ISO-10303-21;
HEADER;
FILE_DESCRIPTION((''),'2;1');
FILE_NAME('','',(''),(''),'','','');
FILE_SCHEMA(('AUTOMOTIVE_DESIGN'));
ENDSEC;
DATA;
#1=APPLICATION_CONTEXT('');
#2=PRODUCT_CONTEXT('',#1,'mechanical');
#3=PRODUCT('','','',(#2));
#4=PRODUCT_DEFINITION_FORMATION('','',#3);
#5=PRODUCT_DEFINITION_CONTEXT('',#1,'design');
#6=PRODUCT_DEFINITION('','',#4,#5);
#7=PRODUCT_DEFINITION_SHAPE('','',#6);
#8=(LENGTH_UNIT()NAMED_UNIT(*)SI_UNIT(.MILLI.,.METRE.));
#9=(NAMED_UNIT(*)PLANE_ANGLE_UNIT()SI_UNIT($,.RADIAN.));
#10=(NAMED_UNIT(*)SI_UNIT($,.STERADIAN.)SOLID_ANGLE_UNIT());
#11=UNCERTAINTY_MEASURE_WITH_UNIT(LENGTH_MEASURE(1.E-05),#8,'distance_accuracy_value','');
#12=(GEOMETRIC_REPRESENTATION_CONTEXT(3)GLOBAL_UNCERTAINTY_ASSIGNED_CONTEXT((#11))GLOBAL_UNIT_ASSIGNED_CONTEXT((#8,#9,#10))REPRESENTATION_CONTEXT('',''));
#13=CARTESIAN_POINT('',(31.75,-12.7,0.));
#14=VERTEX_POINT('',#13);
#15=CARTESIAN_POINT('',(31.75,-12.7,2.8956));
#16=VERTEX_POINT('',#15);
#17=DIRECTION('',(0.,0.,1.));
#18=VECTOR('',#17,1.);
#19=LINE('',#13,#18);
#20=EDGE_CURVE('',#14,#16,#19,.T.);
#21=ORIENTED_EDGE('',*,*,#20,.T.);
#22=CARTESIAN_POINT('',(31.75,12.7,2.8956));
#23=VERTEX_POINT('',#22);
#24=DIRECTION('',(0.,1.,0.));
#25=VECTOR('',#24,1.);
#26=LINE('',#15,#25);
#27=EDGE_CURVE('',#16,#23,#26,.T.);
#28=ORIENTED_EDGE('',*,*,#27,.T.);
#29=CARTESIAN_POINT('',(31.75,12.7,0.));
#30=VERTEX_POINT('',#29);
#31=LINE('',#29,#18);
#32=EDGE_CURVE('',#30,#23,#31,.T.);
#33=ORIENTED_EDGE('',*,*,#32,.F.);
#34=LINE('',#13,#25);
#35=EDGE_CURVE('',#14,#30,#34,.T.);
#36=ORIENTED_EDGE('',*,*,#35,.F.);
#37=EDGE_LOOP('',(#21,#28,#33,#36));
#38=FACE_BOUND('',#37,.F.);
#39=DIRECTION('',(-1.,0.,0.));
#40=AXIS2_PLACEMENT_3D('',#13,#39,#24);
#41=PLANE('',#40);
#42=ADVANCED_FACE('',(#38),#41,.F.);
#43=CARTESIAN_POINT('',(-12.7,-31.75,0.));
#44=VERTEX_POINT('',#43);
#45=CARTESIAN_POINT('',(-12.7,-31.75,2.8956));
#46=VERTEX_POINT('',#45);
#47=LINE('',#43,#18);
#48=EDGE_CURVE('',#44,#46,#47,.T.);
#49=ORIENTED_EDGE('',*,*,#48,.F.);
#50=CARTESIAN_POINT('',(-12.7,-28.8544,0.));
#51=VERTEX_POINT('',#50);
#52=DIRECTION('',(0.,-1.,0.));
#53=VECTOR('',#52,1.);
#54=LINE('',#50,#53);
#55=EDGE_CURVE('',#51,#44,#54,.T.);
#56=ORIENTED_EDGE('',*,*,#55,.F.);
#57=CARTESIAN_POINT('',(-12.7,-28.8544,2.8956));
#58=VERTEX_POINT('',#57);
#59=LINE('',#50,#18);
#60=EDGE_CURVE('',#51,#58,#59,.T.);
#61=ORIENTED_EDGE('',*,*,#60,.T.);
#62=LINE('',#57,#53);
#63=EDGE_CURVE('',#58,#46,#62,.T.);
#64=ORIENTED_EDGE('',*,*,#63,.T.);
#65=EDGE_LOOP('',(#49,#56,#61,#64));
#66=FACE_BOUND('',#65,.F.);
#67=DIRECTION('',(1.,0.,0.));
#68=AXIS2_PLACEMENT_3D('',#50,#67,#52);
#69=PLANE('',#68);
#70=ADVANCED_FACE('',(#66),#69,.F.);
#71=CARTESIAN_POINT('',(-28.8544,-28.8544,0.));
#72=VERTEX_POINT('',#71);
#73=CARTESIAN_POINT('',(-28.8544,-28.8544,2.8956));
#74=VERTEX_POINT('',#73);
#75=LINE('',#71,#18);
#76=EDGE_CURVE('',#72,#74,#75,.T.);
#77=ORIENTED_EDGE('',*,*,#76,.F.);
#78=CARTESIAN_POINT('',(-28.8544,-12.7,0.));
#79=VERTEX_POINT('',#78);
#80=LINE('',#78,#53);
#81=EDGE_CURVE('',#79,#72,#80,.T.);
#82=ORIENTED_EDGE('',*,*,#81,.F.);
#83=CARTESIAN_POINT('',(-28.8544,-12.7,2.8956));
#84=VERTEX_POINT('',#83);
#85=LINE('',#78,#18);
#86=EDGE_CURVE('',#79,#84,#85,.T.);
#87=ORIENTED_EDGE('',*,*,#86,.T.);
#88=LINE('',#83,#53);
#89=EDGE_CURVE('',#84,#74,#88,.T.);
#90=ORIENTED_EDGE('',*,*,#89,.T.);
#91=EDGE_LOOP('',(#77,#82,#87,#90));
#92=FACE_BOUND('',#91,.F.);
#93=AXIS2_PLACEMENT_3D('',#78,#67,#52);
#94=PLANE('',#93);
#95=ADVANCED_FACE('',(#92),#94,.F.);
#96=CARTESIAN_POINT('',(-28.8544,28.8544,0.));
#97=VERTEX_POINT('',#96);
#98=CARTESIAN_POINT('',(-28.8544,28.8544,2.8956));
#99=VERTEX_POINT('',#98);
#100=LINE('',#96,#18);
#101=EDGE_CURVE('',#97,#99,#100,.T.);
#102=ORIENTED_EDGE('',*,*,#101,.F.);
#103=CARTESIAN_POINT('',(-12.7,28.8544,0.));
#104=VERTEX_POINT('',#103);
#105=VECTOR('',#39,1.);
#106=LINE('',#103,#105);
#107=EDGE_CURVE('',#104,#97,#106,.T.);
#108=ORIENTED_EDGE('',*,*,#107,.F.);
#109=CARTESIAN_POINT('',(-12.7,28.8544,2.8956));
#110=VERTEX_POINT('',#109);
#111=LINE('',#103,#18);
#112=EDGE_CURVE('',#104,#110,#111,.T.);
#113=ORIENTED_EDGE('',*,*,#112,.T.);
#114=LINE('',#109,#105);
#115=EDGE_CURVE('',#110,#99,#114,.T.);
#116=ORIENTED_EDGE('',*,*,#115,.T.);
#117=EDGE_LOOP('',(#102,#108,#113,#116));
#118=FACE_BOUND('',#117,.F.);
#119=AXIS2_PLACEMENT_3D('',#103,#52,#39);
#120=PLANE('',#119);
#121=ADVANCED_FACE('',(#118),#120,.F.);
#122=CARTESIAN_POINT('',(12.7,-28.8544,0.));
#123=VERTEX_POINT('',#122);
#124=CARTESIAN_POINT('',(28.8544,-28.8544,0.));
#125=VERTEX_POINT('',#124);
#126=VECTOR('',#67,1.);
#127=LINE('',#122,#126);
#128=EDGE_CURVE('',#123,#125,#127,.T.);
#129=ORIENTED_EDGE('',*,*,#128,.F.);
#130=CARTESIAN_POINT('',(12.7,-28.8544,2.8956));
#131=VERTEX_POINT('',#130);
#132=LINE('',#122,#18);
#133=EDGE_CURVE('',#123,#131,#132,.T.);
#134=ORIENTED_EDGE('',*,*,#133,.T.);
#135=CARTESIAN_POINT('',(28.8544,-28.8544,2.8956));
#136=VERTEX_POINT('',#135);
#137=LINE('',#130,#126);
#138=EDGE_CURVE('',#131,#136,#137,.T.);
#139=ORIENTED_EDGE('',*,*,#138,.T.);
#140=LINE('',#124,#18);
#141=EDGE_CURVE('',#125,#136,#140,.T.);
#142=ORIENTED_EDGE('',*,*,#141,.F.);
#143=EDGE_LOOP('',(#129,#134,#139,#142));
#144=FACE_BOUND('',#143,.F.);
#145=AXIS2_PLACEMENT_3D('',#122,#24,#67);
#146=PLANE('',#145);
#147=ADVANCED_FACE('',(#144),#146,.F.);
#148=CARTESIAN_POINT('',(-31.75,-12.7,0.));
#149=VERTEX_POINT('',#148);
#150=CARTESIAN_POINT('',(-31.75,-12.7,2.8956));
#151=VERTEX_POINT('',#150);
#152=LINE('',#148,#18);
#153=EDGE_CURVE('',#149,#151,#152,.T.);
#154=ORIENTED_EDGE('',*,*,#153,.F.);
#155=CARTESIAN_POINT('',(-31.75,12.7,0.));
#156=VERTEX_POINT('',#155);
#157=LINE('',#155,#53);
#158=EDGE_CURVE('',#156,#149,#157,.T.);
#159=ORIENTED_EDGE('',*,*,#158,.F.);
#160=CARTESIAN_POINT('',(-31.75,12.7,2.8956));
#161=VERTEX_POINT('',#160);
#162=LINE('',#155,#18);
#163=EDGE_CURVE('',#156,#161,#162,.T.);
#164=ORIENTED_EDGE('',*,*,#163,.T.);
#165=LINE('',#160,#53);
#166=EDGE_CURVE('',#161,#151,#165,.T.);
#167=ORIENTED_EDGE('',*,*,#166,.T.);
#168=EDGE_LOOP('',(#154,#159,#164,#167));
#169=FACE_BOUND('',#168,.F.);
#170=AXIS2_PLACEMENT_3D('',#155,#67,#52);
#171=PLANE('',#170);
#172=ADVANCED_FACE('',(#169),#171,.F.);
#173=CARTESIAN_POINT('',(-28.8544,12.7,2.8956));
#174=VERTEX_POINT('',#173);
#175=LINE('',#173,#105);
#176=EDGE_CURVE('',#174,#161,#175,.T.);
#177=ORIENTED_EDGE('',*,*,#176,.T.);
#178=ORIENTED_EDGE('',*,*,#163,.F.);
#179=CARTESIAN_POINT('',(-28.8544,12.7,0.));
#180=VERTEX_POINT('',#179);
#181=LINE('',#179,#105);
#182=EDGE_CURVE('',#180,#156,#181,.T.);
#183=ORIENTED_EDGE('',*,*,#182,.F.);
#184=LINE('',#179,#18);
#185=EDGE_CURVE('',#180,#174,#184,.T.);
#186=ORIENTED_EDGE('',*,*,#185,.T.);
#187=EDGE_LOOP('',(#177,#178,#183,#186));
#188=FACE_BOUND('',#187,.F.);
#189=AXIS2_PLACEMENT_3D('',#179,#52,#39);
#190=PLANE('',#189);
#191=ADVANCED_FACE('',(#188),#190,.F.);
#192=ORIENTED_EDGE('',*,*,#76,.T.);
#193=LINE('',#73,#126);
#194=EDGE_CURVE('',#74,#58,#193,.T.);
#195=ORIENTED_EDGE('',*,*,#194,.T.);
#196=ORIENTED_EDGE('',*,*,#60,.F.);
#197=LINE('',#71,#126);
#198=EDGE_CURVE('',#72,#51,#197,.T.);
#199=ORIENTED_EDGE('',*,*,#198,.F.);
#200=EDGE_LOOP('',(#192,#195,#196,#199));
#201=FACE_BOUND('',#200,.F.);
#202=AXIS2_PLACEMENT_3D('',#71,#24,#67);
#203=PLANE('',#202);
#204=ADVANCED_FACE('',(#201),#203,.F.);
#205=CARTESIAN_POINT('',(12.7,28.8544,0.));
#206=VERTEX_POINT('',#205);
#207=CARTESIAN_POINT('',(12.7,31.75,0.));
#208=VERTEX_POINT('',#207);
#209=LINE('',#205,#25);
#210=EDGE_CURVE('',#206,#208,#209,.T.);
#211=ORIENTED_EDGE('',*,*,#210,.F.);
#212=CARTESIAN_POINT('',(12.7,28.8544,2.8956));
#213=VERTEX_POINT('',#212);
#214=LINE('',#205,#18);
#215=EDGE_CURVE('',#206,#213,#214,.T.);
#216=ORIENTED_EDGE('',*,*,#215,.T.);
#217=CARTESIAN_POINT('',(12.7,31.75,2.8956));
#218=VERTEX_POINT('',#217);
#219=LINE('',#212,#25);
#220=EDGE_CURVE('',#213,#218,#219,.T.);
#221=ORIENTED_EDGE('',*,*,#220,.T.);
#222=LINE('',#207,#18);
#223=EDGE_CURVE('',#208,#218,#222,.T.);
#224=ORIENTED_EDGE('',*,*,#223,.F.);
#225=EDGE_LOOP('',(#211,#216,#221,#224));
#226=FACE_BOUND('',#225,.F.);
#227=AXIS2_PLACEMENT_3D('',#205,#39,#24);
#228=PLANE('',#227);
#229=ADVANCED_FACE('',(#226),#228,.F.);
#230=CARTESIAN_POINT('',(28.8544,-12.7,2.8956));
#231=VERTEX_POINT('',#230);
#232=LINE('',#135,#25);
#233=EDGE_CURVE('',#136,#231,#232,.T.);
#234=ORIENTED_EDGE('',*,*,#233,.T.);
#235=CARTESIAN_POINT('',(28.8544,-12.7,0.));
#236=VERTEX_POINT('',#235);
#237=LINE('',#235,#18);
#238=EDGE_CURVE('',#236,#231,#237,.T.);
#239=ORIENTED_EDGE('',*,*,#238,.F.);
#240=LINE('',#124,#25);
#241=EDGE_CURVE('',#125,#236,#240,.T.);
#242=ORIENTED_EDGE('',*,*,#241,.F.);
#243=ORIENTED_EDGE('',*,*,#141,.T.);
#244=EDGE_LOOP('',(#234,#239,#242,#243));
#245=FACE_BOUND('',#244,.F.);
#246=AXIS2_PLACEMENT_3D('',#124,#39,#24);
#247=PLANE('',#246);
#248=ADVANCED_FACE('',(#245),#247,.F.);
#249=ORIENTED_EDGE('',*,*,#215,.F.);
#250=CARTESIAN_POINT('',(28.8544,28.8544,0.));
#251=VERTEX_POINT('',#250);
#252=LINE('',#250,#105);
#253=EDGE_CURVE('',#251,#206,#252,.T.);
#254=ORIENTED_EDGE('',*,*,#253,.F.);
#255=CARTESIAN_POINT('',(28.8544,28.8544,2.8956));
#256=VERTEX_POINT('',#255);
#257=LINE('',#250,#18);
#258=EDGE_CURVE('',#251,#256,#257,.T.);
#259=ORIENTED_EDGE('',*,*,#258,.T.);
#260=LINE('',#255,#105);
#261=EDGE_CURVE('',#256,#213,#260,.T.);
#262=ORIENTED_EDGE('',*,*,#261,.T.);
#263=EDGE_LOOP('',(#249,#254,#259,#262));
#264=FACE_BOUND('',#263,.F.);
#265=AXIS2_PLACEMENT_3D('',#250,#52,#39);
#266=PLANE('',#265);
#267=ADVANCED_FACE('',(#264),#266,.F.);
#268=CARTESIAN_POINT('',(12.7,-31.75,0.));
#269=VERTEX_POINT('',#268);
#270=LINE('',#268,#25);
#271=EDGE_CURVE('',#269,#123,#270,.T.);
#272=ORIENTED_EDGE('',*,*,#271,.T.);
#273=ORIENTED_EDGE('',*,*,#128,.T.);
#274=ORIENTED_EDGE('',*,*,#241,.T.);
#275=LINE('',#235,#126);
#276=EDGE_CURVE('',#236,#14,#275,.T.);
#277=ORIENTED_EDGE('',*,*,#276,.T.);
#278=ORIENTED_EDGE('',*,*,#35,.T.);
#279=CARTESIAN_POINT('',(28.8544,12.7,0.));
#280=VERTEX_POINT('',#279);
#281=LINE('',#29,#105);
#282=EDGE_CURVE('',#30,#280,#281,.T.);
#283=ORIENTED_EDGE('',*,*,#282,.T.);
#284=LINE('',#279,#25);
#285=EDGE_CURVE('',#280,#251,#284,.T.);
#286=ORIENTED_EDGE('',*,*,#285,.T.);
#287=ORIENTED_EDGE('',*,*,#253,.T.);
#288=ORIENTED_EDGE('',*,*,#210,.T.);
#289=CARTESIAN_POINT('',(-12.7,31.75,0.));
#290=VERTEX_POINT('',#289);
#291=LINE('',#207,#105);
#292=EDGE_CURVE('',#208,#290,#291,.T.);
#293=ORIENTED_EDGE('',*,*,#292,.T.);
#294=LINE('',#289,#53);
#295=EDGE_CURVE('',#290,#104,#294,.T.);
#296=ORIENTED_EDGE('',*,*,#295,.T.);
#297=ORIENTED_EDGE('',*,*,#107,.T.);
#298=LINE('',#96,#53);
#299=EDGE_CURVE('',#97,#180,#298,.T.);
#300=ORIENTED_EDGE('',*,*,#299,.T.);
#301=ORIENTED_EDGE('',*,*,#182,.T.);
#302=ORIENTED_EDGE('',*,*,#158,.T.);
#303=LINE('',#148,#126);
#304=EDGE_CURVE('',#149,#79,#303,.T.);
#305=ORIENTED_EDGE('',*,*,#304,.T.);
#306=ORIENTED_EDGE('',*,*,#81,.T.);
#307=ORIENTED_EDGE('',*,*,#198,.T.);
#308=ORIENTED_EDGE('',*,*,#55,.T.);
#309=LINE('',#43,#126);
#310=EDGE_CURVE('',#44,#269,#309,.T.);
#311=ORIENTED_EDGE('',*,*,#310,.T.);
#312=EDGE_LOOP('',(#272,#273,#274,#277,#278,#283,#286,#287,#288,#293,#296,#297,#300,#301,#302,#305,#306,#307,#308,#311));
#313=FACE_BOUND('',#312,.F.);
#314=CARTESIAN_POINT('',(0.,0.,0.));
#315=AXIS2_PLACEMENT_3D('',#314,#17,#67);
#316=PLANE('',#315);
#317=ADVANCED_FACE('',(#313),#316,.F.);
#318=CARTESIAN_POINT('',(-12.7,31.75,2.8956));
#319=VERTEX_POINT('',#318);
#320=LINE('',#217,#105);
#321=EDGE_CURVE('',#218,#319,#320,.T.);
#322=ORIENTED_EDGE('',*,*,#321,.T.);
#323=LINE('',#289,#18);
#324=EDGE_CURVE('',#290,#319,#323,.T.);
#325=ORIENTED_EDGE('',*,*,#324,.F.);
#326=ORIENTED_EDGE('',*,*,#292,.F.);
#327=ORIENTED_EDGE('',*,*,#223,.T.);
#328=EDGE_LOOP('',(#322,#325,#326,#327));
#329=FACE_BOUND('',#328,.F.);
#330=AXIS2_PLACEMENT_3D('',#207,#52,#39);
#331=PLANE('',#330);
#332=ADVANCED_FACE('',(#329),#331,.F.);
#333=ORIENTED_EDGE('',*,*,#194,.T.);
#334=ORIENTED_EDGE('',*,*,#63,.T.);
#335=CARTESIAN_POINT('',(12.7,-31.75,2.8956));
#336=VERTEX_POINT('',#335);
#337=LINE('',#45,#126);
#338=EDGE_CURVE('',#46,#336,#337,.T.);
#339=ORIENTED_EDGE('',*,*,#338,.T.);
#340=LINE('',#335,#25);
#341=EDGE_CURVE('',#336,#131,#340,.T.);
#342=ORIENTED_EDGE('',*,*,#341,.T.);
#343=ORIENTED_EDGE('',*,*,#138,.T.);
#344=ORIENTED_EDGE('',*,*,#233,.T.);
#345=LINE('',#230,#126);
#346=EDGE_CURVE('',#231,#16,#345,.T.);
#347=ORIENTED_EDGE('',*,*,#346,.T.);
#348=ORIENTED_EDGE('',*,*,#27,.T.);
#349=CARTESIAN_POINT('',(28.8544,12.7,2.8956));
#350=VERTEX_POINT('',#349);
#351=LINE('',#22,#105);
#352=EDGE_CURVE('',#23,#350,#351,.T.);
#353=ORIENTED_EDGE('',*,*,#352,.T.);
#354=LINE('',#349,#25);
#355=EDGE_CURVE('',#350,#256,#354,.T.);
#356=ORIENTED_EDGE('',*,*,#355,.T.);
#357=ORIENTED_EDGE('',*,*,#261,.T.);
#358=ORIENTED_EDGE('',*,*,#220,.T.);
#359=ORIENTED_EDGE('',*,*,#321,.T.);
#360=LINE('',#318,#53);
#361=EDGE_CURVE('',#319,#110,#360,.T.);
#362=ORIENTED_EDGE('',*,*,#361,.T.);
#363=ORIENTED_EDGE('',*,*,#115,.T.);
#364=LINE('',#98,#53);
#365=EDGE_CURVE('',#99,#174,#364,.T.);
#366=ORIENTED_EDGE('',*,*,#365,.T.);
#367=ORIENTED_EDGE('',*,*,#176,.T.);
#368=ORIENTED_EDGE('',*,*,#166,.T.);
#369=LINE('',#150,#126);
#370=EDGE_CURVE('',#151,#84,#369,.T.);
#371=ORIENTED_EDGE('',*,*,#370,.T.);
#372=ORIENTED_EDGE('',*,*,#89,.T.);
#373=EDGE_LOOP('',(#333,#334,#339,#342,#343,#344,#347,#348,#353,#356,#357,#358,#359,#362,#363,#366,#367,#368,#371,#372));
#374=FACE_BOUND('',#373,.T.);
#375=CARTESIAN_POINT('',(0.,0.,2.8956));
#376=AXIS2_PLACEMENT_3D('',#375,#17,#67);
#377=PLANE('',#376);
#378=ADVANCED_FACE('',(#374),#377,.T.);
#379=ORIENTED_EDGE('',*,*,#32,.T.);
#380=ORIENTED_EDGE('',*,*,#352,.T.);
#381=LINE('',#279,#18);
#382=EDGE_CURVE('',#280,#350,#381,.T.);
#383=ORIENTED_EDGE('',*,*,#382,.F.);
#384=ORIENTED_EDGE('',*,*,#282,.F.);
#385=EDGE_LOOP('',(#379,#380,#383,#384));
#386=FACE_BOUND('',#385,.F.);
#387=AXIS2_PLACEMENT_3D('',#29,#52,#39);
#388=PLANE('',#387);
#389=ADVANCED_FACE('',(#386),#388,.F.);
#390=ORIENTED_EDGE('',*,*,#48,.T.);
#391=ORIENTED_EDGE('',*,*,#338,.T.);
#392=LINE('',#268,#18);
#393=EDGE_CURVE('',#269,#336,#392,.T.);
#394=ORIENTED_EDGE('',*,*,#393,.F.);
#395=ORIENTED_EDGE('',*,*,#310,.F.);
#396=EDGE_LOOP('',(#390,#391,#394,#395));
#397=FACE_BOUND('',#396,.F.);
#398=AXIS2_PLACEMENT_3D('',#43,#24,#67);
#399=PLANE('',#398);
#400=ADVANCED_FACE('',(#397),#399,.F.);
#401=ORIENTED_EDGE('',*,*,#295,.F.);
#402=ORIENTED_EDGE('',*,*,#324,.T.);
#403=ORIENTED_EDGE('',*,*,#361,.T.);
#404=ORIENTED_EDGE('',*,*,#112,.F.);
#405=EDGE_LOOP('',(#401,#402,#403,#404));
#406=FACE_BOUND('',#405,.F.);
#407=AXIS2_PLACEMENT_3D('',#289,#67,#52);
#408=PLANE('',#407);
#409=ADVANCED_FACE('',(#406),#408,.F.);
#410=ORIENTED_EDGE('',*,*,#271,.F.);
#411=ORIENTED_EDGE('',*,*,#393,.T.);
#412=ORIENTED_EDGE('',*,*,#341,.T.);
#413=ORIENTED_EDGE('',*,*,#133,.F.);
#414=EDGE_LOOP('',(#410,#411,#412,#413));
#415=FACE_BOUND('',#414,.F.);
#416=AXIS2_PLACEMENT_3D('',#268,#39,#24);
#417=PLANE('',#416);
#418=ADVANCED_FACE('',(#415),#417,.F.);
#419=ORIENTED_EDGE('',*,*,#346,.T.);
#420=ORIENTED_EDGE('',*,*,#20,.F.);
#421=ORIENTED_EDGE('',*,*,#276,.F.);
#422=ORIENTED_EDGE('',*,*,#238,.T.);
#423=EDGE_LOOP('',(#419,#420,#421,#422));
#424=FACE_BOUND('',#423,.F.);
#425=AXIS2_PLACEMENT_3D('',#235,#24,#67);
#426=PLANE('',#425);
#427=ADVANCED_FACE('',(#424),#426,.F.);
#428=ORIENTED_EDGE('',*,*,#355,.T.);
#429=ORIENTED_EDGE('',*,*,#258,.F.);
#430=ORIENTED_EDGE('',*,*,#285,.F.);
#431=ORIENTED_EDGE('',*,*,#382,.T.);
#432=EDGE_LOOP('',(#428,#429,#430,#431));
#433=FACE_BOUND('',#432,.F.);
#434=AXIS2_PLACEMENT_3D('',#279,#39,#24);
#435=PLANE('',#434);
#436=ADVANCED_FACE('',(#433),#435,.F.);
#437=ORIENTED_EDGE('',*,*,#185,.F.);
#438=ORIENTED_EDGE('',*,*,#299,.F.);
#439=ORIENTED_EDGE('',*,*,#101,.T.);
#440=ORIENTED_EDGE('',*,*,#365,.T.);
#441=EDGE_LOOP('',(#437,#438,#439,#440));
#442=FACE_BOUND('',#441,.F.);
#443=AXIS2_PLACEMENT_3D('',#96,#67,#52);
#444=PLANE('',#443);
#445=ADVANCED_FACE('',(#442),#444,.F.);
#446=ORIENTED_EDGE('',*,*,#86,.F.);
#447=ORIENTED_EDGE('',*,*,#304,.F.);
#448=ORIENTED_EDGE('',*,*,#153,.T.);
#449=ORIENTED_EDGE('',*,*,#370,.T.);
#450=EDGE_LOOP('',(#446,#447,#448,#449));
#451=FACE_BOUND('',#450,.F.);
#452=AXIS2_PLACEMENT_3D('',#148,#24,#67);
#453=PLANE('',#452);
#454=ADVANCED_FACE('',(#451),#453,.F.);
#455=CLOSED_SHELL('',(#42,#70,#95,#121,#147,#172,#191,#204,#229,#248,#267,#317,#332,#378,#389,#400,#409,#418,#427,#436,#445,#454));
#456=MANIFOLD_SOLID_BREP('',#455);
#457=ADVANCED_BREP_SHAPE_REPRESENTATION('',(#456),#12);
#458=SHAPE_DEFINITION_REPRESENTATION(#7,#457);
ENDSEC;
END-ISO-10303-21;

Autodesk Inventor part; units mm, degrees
ref_plane "YZ Plane" through (0, 0, 0) normal (1, 0, 0) x (0, 1, 0)
ref_plane "XZ Plane" through (0, 0, 0) normal (0, 1, 0) x (-1, 0, 0)
ref_plane "XY Plane" through (0, 0, 0) normal (0, 0, 1) x (1, 0, 0)
sketch "Sketch1" plane through (0, 0, 0) normal (0, 0, 1) x (1, 0, 0)
  line L0 (-28.8544, -12.7) -> (-28.8544, -28.8544)
  line L1 (-28.8544, -28.8544) -> (-12.7, -28.8544)
  line L2 (-12.7, -28.8544) -> (-12.7, -31.75)
  line L3 (-12.7, -31.75) -> (12.7, -31.75)
  line L4 (12.7, -31.75) -> (12.7, -28.8544)
  line L5 (12.7, -28.8544) -> (28.8544, -28.8544)
  line L6 (28.8544, -28.8544) -> (28.8544, -12.7)
  line L7 (28.8544, -12.7) -> (31.75, -12.7)
  line L8 (31.75, -12.7) -> (31.75, 12.7)
  line L9 (31.75, 12.7) -> (28.8544, 12.7)
  line L10 (28.8544, 12.7) -> (28.8544, 28.8544)
  line L11 (28.8544, 28.8544) -> (12.7, 28.8544)
  line L12 (12.7, 28.8544) -> (12.7, 31.75)
  line L13 (12.7, 31.75) -> (-12.7, 31.75)
  line L14 (-12.7, 31.75) -> (-12.7, 28.8544)
  line L15 (-12.7, 28.8544) -> (-28.8544, 28.8544)
  line L16 (-28.8544, 28.8544) -> (-28.8544, 12.7)
  line L17 (-28.8544, 12.7) -> (-31.75, 12.7)
  line L18 (-31.75, 12.7) -> (-31.75, -12.7)
  line L19 (-31.75, -12.7) -> (-28.8544, -12.7)
  point P0 (0, 0)
extrude "Extrusion1" add sketch "Sketch1" along normal blind 2.8956
properties part number "outside_box_front_back" material "Polycarbonate, Clear"
